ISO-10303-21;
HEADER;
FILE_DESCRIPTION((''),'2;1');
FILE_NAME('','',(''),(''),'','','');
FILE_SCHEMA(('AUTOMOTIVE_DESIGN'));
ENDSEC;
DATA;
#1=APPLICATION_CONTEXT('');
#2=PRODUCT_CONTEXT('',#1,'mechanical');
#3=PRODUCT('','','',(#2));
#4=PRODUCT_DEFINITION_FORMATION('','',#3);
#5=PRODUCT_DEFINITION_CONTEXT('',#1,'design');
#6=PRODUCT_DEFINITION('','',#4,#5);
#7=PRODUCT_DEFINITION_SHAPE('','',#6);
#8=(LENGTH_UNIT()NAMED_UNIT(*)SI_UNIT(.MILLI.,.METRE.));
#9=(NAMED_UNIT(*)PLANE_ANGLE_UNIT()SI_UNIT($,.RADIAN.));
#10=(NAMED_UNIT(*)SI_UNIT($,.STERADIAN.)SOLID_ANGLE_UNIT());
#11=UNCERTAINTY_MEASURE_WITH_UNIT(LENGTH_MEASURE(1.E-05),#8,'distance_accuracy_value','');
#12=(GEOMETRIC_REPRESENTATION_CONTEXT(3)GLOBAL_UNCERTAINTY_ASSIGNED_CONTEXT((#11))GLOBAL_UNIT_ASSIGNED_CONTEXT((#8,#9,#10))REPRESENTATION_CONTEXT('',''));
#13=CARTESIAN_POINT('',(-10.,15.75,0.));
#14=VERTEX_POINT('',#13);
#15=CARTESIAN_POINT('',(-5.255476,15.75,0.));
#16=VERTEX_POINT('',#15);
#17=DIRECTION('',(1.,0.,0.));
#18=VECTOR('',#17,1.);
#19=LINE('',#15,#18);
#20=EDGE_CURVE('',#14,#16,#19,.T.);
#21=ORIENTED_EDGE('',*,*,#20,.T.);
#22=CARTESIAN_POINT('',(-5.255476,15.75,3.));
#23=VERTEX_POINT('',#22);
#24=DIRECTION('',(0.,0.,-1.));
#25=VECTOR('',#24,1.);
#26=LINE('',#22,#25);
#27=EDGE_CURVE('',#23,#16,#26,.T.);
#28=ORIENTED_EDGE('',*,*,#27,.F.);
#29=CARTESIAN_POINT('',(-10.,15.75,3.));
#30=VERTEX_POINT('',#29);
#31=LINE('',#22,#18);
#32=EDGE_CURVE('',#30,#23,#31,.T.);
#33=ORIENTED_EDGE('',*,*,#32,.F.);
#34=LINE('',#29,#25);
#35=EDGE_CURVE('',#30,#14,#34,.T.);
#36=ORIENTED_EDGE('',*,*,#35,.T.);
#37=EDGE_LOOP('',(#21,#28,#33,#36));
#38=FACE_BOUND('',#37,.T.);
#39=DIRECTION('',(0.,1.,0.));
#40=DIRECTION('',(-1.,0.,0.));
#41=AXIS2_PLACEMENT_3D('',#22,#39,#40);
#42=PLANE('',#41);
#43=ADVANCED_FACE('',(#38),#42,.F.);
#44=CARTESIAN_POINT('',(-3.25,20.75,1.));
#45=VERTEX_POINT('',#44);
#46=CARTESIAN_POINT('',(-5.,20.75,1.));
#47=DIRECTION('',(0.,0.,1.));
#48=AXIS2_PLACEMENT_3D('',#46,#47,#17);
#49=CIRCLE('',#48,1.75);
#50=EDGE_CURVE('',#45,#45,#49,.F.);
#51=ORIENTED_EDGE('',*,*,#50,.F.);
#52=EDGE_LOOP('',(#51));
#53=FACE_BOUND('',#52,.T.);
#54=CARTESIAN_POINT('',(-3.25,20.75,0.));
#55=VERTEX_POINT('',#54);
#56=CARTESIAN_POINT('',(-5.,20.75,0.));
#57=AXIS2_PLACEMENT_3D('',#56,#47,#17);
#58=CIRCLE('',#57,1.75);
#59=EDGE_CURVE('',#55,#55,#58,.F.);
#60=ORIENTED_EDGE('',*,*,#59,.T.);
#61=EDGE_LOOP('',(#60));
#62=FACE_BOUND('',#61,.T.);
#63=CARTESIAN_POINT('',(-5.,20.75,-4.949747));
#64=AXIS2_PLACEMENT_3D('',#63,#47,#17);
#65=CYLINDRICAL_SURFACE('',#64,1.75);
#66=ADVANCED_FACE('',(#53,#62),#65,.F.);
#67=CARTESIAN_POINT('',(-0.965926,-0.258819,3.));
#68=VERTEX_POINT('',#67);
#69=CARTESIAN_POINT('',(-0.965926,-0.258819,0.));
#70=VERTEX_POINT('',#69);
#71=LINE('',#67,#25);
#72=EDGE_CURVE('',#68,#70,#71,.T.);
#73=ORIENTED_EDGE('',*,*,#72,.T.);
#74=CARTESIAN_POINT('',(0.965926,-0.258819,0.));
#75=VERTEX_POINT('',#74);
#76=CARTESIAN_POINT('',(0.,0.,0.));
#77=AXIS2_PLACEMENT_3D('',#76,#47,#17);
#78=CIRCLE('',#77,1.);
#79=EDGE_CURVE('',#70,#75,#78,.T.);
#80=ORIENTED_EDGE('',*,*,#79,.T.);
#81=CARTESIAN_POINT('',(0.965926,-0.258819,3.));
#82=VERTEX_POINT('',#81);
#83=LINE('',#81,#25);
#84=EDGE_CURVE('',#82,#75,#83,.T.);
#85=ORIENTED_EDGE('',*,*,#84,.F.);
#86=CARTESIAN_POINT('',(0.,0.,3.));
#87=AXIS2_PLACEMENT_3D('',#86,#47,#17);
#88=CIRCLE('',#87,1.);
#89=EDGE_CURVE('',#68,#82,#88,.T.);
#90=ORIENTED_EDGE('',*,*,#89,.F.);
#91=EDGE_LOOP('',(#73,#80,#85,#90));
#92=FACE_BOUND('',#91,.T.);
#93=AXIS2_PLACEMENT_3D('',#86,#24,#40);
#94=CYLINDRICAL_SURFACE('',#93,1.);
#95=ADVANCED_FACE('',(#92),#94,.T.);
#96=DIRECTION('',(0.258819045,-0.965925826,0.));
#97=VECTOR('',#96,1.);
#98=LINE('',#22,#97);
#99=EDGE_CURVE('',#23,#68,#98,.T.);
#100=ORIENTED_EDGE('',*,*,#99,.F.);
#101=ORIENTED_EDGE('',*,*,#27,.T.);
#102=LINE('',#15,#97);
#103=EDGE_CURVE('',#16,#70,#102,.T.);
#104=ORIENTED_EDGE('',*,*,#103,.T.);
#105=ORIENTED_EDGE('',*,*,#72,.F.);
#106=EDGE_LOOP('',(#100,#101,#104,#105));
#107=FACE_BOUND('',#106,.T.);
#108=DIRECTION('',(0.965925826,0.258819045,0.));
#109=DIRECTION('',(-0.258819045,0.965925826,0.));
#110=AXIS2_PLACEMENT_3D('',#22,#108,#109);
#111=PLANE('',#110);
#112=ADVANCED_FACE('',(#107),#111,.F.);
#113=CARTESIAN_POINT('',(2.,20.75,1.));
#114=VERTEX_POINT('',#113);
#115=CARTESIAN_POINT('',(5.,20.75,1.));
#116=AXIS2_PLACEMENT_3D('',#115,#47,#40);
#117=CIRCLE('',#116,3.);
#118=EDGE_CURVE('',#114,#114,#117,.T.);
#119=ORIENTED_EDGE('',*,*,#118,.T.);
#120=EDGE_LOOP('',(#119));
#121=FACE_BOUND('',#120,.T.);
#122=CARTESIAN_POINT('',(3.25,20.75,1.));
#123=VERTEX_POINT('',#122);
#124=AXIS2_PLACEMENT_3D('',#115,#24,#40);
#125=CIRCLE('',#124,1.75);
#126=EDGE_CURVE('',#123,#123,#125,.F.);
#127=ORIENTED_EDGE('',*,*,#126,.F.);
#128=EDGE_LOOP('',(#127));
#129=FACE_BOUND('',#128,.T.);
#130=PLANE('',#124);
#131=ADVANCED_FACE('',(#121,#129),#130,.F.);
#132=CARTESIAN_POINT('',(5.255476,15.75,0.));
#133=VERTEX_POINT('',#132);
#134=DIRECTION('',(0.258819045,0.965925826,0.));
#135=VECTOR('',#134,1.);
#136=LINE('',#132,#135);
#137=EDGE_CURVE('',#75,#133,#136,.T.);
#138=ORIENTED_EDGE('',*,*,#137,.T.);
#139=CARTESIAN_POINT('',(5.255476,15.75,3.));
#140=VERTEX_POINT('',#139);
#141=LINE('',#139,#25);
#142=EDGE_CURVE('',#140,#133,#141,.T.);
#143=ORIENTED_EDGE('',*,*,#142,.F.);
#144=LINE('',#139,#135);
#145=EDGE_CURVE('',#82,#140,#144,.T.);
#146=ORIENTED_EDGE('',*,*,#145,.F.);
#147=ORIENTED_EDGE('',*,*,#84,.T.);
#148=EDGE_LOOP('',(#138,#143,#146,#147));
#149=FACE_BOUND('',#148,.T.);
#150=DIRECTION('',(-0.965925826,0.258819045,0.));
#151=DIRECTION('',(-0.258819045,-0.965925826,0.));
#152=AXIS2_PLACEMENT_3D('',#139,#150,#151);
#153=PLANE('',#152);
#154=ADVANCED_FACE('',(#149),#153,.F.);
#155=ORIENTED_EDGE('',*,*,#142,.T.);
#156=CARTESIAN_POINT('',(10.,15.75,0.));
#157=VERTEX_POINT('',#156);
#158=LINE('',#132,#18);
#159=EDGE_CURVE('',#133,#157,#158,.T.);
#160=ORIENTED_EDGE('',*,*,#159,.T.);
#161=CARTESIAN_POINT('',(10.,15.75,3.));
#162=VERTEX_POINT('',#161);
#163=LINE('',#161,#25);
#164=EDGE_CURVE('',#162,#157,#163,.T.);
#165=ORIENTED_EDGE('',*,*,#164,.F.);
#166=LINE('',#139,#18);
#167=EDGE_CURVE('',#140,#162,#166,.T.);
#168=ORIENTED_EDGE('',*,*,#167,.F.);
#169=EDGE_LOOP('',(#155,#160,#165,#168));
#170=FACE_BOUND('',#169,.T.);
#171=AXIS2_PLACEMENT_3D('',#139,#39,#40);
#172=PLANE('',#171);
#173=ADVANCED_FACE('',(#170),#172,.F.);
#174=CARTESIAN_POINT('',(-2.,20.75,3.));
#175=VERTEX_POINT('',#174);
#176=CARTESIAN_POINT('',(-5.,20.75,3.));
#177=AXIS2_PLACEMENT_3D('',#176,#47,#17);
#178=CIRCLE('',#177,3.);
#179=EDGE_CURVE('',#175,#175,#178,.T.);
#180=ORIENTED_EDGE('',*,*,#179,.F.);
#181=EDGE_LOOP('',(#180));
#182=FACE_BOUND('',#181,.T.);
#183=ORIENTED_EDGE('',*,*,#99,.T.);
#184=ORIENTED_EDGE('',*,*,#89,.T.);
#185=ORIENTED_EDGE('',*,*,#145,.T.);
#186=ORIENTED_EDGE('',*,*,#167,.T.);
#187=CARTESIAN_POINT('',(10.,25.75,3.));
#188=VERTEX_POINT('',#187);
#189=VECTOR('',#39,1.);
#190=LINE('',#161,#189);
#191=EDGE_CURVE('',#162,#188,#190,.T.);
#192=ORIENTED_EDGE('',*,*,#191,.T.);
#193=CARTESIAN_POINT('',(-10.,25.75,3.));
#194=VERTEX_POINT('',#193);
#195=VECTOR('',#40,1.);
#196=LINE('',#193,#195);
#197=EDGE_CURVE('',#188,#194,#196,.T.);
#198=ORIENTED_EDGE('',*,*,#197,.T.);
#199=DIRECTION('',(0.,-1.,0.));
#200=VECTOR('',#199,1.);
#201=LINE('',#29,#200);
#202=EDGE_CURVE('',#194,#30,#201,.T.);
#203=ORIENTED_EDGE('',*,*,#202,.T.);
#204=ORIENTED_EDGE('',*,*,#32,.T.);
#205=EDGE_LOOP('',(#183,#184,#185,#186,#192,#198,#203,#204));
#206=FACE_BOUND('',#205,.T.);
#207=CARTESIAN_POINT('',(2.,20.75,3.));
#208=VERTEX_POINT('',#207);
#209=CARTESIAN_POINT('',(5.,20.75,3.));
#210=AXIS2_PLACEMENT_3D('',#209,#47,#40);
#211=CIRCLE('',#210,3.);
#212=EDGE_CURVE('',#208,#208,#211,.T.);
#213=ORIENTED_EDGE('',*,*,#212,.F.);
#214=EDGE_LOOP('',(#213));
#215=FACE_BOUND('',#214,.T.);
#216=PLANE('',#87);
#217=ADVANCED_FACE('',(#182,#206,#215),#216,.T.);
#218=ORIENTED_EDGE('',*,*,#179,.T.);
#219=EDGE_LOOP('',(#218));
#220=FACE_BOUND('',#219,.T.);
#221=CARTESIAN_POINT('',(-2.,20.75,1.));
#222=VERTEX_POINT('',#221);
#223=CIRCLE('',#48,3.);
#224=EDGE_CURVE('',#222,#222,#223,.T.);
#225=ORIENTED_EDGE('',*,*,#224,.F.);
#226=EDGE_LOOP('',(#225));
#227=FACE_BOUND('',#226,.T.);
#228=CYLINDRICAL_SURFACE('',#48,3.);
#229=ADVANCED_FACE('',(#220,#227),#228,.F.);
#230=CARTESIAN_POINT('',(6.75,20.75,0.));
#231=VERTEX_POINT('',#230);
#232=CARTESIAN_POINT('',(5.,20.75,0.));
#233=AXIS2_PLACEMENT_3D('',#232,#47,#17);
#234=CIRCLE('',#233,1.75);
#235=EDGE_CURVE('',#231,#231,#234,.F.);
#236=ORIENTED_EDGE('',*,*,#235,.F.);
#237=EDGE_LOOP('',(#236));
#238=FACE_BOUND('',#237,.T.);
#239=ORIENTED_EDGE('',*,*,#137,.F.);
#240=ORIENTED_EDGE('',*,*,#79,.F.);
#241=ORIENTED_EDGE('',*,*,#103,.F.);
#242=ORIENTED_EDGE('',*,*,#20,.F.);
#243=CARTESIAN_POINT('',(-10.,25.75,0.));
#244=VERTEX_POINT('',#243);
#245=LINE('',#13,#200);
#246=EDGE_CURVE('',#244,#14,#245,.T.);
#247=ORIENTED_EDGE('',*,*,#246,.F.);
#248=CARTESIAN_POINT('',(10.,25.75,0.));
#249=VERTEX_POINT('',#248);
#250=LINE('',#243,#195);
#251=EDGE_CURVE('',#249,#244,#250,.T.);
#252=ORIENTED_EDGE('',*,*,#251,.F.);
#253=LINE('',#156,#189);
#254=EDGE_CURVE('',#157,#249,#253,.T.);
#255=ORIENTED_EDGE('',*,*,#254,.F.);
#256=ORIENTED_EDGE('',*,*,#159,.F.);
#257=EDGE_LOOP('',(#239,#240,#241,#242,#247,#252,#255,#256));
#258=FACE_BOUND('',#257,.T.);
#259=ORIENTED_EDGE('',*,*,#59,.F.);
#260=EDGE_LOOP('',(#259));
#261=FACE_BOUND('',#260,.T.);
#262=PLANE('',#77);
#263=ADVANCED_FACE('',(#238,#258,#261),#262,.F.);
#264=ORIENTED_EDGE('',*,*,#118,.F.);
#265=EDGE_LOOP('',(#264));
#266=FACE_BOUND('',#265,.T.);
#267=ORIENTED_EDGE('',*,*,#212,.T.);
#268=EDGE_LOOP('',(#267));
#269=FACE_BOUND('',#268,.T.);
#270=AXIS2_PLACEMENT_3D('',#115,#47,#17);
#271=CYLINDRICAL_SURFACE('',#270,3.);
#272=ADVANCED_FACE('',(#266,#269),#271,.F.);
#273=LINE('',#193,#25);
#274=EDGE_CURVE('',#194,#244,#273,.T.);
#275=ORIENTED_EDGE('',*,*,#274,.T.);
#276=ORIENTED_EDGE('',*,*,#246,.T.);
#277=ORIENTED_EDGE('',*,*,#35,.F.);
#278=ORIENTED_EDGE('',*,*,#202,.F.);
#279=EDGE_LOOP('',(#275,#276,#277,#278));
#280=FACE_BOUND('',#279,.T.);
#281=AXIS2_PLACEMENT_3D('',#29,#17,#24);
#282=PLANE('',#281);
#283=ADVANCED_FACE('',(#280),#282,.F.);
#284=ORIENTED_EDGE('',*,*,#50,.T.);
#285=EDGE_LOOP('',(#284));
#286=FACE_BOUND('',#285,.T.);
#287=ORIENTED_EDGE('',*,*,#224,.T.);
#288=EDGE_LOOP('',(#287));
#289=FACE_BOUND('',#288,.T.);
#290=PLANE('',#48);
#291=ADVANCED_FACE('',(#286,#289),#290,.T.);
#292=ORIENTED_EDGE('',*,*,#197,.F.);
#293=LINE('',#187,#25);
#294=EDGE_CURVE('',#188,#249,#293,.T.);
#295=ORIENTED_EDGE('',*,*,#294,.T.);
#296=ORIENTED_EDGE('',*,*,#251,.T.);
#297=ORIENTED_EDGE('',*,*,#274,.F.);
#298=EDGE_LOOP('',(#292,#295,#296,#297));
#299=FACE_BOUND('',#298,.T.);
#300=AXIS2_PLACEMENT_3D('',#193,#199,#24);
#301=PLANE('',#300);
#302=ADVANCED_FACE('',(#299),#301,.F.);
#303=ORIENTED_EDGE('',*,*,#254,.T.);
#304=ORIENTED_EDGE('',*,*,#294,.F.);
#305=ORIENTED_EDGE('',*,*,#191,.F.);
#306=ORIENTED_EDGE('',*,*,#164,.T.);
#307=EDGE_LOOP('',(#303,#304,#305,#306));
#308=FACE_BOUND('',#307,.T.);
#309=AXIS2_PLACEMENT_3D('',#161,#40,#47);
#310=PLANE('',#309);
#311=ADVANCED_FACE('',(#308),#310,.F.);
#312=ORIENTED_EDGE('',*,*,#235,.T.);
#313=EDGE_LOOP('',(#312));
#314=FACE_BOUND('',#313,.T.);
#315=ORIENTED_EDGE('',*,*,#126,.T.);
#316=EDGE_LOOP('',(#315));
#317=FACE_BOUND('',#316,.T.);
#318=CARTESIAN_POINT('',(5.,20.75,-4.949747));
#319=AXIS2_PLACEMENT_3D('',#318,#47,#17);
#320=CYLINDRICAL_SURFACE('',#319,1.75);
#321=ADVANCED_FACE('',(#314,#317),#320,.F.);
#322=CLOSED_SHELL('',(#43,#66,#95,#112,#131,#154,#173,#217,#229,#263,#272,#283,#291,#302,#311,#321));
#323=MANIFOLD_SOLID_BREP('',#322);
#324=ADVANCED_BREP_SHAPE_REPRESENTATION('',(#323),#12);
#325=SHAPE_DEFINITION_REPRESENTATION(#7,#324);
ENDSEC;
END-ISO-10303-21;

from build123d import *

# Parameters (mm, degrees)
BOSS_EXTRUDE1_DEPTH = 3
SKETCH3_R           = 1.75
CUT_EXTRUDE1_DEPTH  = 3
SKETCH5_R           = 3
CUT_EXTRUDE2_DEPTH  = 2


with BuildPart() as part:
    # Sketch2 → Boss-Extrude1 (new body)
    with BuildSketch(Plane.XY):
        with BuildLine():
            Line((-5.255475961, 15.75), (-0.965925826, -0.258819045))
            ThreePointArc((-0.965925826, -0.258819045), (0, -1), (0.965925826, -0.258819045))
            Line((0.965925826, -0.258819045), (5.255475961, 15.75))
            Line((5.255475961, 15.75), (10, 15.75))
            Line((10, 15.75), (10, 25.75))
            Line((10, 25.75), (-10, 25.75))
            Line((-10, 25.75), (-10, 15.75))
            Line((-10, 15.75), (-5.255475961, 15.75))
        make_face()
    extrude(amount=BOSS_EXTRUDE1_DEPTH)

    # Sketch3 → Cut-Extrude1 (cut)
    with BuildSketch(Plane.XY.offset(3)):
        with Locations((-5, 20.75)):
            Circle(SKETCH3_R)
        with Locations((5, 20.75)):
            Circle(SKETCH3_R)
    extrude(amount=-CUT_EXTRUDE1_DEPTH, mode=Mode.SUBTRACT)

    # Sketch5 → Cut-Extrude2 (cut)
    with BuildSketch(Plane.XY.offset(3)):
        with Locations((-5, 20.75)):
            Circle(SKETCH5_R)
        with Locations(Location((5, 20.75, 0), (0, 0, 180))):
            Circle(SKETCH5_R)
    extrude(amount=-CUT_EXTRUDE2_DEPTH, mode=Mode.SUBTRACT)


solid = part.part
